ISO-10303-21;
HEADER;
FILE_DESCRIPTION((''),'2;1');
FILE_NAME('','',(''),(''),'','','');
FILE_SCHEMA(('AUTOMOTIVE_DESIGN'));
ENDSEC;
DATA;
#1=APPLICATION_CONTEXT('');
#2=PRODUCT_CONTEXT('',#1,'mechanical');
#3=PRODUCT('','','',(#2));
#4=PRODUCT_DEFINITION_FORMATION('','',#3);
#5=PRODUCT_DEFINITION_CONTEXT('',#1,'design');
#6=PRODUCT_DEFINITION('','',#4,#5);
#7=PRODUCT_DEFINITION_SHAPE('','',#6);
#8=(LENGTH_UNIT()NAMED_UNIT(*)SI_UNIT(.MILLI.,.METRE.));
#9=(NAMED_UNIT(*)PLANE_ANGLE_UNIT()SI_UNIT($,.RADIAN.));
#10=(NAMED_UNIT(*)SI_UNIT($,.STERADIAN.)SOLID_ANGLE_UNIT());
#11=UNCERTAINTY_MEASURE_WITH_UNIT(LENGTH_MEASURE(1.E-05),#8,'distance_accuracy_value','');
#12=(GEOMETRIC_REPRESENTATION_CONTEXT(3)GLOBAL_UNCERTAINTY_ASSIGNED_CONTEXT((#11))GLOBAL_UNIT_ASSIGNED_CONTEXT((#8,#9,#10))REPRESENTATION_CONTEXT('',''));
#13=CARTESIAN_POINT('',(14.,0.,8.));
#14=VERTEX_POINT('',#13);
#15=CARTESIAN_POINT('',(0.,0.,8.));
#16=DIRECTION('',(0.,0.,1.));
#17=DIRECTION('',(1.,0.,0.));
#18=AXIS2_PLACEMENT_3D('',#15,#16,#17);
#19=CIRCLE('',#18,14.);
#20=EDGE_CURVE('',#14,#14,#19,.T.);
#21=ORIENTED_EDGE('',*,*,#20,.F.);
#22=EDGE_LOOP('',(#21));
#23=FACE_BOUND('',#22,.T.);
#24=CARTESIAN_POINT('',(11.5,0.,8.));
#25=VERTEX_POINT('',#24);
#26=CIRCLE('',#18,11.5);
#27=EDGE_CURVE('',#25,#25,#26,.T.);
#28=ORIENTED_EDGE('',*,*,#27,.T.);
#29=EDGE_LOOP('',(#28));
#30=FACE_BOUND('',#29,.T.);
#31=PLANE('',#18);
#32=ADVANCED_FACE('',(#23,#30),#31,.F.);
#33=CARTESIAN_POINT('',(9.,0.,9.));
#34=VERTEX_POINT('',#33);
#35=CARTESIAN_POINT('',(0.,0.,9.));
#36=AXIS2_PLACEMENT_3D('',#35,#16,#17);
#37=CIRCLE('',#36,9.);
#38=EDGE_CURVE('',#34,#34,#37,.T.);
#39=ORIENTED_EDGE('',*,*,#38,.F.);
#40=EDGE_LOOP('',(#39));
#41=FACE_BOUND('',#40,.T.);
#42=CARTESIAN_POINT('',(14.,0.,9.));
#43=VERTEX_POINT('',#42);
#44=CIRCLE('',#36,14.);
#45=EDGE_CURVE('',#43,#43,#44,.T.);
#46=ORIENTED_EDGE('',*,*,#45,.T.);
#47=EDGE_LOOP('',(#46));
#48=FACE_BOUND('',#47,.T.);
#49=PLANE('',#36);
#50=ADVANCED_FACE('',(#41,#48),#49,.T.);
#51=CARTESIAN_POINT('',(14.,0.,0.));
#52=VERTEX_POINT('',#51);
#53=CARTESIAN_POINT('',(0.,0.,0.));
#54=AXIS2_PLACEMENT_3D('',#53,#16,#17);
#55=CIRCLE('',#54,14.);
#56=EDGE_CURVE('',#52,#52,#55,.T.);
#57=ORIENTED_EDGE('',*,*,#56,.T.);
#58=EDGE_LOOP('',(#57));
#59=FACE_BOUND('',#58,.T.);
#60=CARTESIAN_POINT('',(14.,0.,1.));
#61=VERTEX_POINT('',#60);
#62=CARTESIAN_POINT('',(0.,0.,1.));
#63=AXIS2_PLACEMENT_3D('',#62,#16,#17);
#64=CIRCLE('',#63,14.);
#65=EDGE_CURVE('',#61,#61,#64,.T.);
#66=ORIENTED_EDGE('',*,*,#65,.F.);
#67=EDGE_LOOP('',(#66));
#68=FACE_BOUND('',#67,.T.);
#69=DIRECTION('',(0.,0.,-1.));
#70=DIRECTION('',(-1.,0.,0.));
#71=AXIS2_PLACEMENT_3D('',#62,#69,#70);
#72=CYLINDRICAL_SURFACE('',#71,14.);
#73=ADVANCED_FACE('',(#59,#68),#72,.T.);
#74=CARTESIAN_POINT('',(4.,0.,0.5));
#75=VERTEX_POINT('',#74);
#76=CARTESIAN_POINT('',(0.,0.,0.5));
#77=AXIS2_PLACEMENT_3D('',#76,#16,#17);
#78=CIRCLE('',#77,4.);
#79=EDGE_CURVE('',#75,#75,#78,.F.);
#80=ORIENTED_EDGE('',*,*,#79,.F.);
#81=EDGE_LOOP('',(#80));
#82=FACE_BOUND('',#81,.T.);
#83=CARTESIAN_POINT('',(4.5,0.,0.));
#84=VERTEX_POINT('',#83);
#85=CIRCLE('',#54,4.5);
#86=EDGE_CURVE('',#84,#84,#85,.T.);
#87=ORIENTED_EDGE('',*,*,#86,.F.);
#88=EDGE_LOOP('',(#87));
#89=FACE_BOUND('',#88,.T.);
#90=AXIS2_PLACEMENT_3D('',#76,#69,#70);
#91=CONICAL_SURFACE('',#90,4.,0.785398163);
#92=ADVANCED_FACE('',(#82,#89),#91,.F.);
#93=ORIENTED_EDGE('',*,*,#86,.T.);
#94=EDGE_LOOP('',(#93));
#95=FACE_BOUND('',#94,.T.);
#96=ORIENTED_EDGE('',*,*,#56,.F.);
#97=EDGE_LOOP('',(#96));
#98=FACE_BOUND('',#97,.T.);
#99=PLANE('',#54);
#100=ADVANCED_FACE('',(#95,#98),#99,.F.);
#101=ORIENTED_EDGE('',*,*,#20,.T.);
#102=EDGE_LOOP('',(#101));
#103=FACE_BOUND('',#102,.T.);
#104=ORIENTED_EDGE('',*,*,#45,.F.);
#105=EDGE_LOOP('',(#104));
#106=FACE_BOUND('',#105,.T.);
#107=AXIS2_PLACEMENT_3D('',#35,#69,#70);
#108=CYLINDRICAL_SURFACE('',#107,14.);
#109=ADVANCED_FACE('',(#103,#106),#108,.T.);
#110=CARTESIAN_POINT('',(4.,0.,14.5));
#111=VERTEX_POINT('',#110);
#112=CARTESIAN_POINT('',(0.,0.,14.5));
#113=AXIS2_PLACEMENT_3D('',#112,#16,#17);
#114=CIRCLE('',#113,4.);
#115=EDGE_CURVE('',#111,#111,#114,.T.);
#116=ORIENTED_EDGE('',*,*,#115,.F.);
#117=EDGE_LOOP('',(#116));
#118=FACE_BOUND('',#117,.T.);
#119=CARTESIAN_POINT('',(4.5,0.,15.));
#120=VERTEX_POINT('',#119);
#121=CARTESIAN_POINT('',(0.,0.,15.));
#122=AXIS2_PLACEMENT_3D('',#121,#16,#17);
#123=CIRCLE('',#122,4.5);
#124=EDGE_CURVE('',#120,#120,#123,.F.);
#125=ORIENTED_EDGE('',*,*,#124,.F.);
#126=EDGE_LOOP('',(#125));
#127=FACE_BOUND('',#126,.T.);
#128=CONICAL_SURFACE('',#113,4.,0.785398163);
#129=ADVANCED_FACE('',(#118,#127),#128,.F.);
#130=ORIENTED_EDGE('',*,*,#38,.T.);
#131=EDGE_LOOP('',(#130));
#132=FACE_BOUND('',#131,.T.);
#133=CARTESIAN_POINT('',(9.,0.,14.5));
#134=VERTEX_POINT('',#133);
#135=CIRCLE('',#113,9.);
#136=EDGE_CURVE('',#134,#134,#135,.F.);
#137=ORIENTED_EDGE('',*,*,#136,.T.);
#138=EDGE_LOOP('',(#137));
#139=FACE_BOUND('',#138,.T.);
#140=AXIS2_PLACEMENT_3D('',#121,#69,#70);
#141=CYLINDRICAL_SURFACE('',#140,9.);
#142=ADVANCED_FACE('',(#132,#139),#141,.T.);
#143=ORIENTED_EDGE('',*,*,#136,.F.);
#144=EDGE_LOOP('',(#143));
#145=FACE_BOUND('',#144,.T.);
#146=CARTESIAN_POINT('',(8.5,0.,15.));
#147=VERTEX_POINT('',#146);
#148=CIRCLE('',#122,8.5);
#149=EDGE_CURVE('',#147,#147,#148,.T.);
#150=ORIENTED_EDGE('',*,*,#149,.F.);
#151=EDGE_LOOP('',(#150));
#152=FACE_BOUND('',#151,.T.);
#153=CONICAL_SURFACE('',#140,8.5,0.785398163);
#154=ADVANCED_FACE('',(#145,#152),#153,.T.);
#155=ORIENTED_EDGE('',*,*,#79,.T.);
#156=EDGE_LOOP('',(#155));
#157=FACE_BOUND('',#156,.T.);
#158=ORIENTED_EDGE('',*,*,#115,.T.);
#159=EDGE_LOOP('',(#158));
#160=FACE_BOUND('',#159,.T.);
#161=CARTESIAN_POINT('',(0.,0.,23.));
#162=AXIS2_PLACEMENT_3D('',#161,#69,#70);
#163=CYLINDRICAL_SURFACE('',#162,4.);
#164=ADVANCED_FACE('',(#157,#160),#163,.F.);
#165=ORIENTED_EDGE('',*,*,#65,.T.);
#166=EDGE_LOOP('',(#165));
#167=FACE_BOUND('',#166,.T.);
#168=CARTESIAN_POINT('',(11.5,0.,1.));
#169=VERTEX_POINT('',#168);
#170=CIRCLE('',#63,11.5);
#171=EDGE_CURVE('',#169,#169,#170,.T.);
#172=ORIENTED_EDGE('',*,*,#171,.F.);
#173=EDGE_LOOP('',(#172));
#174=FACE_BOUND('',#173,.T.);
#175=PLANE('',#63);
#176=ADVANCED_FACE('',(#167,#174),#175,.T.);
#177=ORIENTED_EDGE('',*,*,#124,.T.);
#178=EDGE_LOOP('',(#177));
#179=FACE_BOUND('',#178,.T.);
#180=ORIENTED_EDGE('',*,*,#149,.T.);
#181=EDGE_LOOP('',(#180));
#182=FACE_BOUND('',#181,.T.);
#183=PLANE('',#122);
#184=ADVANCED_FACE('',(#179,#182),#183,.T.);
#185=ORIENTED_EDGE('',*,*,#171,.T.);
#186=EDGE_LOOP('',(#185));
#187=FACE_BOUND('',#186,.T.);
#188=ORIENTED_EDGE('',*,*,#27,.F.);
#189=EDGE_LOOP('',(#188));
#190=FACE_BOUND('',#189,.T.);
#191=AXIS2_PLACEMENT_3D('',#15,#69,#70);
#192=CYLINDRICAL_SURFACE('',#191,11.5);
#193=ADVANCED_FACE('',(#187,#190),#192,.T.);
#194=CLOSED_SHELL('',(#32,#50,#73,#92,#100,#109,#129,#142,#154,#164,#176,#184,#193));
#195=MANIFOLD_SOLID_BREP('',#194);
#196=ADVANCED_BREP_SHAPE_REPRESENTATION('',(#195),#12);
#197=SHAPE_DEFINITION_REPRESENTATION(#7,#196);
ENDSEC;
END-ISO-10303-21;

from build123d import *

# Parameters (mm, degrees)
SKETCH1_R           = 14
BOSS_EXTRUDE1_DEPTH = 1
SKETCH2_R           = 11.5
BOSS_EXTRUDE2_DEPTH = 7
SKETCH3_R           = 14
BOSS_EXTRUDE3_DEPTH = 1
SKETCH4_R           = 9
BOSS_EXTRUDE4_DEPTH = 6
SKETCH5_R           = 4
CUT_EXTRUDE1_DEPTH  = 23
CHAMFER1_SIZE       = 0.5


with BuildPart() as part:
    # Sketch1 → Boss-Extrude1 (new body)
    with BuildSketch(Plane.XY):
        Circle(SKETCH1_R)
    extrude(amount=BOSS_EXTRUDE1_DEPTH)

    # Sketch2 → Boss-Extrude2 (add)
    with BuildSketch(Plane.XY.offset(1)):
        Circle(SKETCH2_R)
    extrude(amount=BOSS_EXTRUDE2_DEPTH)

    # Sketch3 → Boss-Extrude3 (add)
    with BuildSketch(Plane.XY.offset(8)):
        Circle(SKETCH3_R)
    extrude(amount=BOSS_EXTRUDE3_DEPTH)

    # Sketch4 → Boss-Extrude4 (add)
    with BuildSketch(Plane.XY.offset(9)):
        Circle(SKETCH4_R)
    extrude(amount=BOSS_EXTRUDE4_DEPTH)

    # Sketch5 → Cut-Extrude1 (cut)
    with BuildSketch(Plane(origin=(0, 0, 0), x_dir=(-1, 0, 0), z_dir=(0, 0, -1))):
        Circle(SKETCH5_R)
    extrude(amount=-CUT_EXTRUDE1_DEPTH, mode=Mode.SUBTRACT)

    # Chamfer1
    chamfer1_edges = [part.edges().sort_by_distance(p)[0] for p in [
        (-9, 0, 15),
        (4, 0, 15),
        (4, 0, 0),
    ]]
    chamfer(chamfer1_edges, length=CHAMFER1_SIZE)


solid = part.part
